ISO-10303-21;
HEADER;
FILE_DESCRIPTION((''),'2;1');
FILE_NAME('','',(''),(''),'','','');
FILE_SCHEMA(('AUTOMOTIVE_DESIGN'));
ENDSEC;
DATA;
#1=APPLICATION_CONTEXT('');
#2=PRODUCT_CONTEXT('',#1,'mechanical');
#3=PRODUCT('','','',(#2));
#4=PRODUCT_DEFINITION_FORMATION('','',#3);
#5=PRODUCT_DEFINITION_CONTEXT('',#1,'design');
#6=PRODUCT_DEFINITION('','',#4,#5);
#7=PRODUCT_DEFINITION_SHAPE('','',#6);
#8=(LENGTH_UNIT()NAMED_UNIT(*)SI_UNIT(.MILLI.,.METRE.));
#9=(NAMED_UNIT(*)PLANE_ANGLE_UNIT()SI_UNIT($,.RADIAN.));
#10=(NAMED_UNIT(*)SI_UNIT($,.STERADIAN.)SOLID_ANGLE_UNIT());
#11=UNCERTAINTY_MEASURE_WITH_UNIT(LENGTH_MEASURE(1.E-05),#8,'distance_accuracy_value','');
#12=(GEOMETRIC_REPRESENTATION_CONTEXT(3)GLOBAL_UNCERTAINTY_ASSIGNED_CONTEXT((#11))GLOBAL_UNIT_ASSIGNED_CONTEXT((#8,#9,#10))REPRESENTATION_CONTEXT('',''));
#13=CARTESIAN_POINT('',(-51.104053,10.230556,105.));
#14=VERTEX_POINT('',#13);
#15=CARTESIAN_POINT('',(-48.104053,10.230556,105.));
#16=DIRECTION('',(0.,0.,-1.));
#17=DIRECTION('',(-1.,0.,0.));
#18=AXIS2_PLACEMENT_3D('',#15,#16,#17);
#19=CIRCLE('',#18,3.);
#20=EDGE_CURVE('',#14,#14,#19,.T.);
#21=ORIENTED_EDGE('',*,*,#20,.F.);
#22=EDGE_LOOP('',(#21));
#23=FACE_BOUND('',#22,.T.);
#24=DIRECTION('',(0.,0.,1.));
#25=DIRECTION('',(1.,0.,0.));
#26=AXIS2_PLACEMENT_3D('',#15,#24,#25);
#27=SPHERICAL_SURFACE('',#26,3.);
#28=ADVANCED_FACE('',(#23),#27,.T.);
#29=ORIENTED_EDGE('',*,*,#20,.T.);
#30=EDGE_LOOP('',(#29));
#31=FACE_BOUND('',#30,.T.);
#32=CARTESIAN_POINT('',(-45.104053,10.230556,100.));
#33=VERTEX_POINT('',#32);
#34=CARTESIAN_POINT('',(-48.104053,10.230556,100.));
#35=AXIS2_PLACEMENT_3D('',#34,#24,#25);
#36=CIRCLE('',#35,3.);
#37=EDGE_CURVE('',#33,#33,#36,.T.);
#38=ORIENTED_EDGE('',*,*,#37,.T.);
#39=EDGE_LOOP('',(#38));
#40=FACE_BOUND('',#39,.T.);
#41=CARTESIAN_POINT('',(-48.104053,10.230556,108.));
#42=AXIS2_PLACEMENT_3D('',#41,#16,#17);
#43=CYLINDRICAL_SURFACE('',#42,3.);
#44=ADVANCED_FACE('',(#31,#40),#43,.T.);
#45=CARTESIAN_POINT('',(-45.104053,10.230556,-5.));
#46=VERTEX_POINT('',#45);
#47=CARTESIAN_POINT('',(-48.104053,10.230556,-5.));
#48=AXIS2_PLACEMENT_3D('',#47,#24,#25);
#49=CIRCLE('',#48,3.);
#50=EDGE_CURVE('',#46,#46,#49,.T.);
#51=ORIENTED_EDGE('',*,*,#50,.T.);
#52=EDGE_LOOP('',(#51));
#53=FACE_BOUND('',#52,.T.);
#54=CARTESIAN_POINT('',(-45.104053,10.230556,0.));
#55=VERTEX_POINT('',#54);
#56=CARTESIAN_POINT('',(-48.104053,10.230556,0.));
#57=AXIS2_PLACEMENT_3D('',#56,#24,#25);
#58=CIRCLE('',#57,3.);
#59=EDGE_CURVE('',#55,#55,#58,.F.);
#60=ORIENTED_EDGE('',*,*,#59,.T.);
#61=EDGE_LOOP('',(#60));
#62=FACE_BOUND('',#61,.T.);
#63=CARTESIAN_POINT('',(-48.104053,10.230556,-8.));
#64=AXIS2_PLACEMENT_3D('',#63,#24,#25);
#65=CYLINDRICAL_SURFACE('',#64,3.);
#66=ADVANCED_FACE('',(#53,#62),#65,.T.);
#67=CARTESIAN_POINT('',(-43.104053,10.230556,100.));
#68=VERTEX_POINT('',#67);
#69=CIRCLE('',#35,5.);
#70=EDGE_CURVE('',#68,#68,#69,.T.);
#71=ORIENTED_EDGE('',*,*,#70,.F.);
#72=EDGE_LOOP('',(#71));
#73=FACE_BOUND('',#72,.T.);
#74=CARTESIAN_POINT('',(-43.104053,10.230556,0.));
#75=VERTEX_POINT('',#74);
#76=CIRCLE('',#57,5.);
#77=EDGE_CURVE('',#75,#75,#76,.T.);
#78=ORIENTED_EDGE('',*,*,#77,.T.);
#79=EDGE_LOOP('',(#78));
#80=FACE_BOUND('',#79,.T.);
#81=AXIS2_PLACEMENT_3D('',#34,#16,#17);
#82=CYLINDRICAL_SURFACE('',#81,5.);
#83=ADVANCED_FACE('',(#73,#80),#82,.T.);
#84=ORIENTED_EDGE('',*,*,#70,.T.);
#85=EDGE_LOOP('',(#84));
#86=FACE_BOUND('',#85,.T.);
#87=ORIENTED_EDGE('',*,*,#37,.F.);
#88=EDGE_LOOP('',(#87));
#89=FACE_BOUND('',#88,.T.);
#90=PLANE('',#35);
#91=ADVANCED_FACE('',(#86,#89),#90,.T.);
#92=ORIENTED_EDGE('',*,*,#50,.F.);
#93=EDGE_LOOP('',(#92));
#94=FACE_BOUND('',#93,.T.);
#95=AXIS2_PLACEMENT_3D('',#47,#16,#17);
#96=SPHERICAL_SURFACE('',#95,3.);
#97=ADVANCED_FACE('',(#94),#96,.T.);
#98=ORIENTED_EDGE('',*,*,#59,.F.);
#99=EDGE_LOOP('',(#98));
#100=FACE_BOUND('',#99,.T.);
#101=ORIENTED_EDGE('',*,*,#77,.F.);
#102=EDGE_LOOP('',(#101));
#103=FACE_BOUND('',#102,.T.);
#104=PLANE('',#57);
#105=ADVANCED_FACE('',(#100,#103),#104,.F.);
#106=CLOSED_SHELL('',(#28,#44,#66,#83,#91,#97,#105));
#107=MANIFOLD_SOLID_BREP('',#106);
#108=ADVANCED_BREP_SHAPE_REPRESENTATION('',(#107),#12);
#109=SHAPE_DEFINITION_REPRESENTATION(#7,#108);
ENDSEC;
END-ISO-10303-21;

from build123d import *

# Parameters (mm, degrees)
SKETCH1_R           = 5
BOSS_EXTRUDE1_DEPTH = 100
SKETCH2_R           = 3
BOSS_EXTRUDE2_DEPTH = 8
SKETCH4_R           = 3
BOSS_EXTRUDE3_DEPTH = 8
FILLET1_R           = 3


with BuildPart() as part:
    # Sketch1 → Boss-Extrude1 (new body)
    with BuildSketch(Plane.XY):
        with Locations((-48.10405297, 10.230555556)):
            Circle(SKETCH1_R)
    extrude(amount=BOSS_EXTRUDE1_DEPTH)

    # Sketch2 → Boss-Extrude2 (add)
    with BuildSketch(Plane.XY.offset(100)):
        with Locations((-48.10405297, 10.230555556)):
            Circle(SKETCH2_R)
    extrude(amount=BOSS_EXTRUDE2_DEPTH)

    # Sketch4 → Boss-Extrude3 (add)
    with BuildSketch(Plane(origin=(0, 0, 0), x_dir=(-1, 0, 0), z_dir=(0, 0, -1))):
        with Locations((48.10405297, 10.230555556)):
            Circle(SKETCH4_R)
    extrude(amount=BOSS_EXTRUDE3_DEPTH)

    # Fillet1
    fillet1_edges = [part.edges().sort_by_distance(p)[0] for p in [
        (-45.10405297, 10.230555556, -8),
        (-51.10405297, 10.230555556, 108),
    ]]
    fillet(fillet1_edges, radius=FILLET1_R)


solid = part.part
